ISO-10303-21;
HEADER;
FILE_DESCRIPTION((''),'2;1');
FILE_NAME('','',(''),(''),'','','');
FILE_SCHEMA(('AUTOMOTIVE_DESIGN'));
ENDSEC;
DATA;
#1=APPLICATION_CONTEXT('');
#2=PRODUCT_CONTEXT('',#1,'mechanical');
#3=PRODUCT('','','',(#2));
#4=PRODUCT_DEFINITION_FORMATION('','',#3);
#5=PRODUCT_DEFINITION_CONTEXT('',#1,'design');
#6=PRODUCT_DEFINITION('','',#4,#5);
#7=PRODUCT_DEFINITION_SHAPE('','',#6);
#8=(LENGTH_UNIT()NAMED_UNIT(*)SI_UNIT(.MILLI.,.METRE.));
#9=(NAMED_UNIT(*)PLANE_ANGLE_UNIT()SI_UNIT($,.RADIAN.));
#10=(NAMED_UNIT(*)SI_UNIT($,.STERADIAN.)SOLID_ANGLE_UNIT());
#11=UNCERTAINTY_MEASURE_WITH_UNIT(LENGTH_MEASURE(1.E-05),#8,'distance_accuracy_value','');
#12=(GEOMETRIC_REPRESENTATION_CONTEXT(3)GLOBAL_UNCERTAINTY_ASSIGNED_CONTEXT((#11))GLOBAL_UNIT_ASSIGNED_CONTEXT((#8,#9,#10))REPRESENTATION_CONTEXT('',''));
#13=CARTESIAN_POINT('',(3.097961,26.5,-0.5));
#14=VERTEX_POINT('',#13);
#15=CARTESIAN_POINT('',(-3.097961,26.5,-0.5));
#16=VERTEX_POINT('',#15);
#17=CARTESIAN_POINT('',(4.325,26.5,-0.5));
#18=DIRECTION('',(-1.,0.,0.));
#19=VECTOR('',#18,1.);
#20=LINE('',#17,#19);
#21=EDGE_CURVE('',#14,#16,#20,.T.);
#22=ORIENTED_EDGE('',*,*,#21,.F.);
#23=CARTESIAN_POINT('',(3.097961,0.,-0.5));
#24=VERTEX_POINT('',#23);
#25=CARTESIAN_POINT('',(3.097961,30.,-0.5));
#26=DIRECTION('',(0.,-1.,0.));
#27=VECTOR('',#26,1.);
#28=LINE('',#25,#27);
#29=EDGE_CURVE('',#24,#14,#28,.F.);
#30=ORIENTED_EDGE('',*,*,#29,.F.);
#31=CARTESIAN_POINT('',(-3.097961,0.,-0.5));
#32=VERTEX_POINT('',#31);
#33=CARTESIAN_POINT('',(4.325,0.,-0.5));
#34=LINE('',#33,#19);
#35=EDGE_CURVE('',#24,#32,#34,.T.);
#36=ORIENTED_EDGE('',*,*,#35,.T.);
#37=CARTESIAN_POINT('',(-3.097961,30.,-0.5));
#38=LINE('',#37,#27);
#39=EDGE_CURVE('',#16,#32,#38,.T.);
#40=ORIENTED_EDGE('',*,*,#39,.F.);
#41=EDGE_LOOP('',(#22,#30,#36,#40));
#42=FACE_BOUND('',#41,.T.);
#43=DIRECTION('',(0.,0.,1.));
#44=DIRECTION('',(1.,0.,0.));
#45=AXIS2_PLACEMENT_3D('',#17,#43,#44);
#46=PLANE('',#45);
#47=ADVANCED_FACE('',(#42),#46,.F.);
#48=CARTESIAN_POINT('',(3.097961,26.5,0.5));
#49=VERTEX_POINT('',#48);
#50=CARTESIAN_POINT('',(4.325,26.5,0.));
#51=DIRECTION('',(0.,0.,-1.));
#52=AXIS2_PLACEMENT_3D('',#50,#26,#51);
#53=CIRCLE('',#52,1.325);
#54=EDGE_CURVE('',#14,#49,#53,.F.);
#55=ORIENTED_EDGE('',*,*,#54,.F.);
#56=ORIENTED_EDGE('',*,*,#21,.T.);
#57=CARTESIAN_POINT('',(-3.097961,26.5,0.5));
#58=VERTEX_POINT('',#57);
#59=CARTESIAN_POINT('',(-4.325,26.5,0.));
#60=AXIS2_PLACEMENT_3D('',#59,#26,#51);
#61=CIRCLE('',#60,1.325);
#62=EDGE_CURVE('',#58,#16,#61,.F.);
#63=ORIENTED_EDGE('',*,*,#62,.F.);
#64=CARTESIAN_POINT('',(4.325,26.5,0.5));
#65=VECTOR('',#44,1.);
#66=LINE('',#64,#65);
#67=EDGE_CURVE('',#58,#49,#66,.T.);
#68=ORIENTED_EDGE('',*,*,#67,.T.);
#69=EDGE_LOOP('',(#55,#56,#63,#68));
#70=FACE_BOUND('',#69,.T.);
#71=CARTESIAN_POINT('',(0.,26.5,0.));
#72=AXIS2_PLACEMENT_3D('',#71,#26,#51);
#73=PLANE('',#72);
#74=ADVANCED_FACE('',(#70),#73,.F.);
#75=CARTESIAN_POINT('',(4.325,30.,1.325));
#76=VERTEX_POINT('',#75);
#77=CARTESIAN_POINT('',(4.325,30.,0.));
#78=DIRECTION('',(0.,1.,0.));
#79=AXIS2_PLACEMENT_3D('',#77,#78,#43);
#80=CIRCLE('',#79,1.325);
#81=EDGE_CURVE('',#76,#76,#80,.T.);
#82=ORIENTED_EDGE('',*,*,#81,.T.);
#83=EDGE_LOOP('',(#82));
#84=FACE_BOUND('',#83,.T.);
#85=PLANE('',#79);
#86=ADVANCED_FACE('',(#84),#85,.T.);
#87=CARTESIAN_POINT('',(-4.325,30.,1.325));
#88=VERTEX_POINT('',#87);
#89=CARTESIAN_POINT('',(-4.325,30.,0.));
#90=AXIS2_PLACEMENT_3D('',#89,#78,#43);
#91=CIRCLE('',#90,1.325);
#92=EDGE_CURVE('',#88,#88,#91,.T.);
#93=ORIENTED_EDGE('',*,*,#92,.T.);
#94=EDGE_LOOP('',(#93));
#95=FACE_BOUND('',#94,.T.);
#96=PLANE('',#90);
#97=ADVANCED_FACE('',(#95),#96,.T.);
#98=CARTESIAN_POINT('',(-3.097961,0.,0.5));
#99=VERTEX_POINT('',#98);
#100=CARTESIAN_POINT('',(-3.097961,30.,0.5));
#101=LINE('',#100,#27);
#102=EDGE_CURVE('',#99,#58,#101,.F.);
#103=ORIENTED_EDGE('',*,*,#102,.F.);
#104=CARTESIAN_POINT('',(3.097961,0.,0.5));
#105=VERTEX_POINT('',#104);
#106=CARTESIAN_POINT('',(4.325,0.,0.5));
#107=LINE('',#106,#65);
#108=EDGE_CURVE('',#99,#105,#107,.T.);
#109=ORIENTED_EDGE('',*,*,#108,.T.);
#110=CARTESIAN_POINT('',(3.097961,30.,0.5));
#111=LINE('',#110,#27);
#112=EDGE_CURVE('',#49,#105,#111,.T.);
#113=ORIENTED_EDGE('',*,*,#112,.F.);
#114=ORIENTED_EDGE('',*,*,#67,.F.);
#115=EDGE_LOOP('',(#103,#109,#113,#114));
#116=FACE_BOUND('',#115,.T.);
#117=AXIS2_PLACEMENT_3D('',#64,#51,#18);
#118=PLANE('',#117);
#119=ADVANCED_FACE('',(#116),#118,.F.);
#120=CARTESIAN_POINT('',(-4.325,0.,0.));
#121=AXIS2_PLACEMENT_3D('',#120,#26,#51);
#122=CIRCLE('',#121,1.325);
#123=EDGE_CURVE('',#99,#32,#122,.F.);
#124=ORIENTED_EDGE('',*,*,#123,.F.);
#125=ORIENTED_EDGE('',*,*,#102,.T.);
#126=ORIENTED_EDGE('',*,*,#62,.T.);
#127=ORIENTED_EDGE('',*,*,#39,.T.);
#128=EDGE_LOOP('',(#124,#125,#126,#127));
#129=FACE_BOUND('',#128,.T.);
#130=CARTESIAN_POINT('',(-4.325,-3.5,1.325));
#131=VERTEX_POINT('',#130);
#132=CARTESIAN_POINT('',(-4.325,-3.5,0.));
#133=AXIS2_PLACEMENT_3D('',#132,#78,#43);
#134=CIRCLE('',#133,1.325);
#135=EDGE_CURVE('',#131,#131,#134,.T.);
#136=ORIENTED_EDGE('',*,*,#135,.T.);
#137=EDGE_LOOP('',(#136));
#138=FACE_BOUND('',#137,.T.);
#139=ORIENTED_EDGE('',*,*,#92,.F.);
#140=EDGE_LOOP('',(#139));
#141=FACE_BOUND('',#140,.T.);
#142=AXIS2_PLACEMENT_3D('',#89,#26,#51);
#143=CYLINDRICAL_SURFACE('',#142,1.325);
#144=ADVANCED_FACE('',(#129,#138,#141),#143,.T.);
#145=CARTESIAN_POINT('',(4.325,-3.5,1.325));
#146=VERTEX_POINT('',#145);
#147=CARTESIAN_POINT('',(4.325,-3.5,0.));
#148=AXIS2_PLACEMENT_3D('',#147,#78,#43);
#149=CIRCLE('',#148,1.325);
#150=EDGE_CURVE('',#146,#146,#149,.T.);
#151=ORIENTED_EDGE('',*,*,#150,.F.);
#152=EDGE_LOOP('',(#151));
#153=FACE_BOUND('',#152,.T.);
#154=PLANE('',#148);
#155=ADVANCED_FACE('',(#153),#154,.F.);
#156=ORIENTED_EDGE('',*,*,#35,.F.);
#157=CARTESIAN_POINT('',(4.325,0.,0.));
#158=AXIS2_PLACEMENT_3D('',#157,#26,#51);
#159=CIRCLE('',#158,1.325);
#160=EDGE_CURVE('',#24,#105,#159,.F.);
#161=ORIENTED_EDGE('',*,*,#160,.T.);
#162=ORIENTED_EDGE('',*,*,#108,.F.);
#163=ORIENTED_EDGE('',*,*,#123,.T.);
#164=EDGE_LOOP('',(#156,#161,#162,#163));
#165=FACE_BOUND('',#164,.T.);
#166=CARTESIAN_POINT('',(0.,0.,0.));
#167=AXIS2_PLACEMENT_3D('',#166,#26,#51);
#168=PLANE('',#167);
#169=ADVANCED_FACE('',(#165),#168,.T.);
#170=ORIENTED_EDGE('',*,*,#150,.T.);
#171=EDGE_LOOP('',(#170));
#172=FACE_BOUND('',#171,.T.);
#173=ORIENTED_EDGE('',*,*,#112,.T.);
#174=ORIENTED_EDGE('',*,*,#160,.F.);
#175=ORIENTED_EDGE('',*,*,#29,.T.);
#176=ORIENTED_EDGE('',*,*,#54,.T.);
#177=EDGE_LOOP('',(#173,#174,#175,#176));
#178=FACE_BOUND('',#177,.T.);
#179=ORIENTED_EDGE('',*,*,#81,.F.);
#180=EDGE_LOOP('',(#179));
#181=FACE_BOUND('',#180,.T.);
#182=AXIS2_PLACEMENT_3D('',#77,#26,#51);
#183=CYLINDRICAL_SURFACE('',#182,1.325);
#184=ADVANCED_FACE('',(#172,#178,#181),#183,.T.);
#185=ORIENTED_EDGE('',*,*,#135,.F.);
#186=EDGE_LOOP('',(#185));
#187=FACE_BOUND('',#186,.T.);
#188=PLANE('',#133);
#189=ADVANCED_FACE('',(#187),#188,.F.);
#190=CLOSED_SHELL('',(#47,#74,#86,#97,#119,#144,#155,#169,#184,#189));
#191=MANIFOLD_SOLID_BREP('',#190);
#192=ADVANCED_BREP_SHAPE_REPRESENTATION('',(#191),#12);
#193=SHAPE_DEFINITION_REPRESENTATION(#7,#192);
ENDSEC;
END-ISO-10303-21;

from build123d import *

# Parameters (mm, degrees)
SKETCH1_W           = 8.65
SKETCH1_H           = 1
BOSS_EXTRUDE1_DEPTH = 26.5
SKETCH2_R           = 1.325
BOSS_EXTRUDE2_DEPTH = 16.75


with BuildPart() as part:
    # Sketch1 → Boss-Extrude1 (new body)
    with BuildSketch(Plane(origin=(0, 0, 0), x_dir=(1, 0, 0), z_dir=(0, 1, 0))):
        Rectangle(SKETCH1_W, SKETCH1_H)
    extrude(amount=BOSS_EXTRUDE1_DEPTH)

    # Sketch2 → Boss-Extrude2 (add, symmetric)
    with BuildSketch(Plane(origin=(0, 13.25, 0), x_dir=(1, 0, 0), z_dir=(0, 1, 0))):
        with Locations(Location((-4.325, 0, 0), (0, 0, 270))):
            Circle(SKETCH2_R)
        with Locations(Location((4.325, 0, 0), (0, 0, 270))):
            Circle(SKETCH2_R)
    extrude(amount=BOSS_EXTRUDE2_DEPTH, both=True)


solid = part.part
